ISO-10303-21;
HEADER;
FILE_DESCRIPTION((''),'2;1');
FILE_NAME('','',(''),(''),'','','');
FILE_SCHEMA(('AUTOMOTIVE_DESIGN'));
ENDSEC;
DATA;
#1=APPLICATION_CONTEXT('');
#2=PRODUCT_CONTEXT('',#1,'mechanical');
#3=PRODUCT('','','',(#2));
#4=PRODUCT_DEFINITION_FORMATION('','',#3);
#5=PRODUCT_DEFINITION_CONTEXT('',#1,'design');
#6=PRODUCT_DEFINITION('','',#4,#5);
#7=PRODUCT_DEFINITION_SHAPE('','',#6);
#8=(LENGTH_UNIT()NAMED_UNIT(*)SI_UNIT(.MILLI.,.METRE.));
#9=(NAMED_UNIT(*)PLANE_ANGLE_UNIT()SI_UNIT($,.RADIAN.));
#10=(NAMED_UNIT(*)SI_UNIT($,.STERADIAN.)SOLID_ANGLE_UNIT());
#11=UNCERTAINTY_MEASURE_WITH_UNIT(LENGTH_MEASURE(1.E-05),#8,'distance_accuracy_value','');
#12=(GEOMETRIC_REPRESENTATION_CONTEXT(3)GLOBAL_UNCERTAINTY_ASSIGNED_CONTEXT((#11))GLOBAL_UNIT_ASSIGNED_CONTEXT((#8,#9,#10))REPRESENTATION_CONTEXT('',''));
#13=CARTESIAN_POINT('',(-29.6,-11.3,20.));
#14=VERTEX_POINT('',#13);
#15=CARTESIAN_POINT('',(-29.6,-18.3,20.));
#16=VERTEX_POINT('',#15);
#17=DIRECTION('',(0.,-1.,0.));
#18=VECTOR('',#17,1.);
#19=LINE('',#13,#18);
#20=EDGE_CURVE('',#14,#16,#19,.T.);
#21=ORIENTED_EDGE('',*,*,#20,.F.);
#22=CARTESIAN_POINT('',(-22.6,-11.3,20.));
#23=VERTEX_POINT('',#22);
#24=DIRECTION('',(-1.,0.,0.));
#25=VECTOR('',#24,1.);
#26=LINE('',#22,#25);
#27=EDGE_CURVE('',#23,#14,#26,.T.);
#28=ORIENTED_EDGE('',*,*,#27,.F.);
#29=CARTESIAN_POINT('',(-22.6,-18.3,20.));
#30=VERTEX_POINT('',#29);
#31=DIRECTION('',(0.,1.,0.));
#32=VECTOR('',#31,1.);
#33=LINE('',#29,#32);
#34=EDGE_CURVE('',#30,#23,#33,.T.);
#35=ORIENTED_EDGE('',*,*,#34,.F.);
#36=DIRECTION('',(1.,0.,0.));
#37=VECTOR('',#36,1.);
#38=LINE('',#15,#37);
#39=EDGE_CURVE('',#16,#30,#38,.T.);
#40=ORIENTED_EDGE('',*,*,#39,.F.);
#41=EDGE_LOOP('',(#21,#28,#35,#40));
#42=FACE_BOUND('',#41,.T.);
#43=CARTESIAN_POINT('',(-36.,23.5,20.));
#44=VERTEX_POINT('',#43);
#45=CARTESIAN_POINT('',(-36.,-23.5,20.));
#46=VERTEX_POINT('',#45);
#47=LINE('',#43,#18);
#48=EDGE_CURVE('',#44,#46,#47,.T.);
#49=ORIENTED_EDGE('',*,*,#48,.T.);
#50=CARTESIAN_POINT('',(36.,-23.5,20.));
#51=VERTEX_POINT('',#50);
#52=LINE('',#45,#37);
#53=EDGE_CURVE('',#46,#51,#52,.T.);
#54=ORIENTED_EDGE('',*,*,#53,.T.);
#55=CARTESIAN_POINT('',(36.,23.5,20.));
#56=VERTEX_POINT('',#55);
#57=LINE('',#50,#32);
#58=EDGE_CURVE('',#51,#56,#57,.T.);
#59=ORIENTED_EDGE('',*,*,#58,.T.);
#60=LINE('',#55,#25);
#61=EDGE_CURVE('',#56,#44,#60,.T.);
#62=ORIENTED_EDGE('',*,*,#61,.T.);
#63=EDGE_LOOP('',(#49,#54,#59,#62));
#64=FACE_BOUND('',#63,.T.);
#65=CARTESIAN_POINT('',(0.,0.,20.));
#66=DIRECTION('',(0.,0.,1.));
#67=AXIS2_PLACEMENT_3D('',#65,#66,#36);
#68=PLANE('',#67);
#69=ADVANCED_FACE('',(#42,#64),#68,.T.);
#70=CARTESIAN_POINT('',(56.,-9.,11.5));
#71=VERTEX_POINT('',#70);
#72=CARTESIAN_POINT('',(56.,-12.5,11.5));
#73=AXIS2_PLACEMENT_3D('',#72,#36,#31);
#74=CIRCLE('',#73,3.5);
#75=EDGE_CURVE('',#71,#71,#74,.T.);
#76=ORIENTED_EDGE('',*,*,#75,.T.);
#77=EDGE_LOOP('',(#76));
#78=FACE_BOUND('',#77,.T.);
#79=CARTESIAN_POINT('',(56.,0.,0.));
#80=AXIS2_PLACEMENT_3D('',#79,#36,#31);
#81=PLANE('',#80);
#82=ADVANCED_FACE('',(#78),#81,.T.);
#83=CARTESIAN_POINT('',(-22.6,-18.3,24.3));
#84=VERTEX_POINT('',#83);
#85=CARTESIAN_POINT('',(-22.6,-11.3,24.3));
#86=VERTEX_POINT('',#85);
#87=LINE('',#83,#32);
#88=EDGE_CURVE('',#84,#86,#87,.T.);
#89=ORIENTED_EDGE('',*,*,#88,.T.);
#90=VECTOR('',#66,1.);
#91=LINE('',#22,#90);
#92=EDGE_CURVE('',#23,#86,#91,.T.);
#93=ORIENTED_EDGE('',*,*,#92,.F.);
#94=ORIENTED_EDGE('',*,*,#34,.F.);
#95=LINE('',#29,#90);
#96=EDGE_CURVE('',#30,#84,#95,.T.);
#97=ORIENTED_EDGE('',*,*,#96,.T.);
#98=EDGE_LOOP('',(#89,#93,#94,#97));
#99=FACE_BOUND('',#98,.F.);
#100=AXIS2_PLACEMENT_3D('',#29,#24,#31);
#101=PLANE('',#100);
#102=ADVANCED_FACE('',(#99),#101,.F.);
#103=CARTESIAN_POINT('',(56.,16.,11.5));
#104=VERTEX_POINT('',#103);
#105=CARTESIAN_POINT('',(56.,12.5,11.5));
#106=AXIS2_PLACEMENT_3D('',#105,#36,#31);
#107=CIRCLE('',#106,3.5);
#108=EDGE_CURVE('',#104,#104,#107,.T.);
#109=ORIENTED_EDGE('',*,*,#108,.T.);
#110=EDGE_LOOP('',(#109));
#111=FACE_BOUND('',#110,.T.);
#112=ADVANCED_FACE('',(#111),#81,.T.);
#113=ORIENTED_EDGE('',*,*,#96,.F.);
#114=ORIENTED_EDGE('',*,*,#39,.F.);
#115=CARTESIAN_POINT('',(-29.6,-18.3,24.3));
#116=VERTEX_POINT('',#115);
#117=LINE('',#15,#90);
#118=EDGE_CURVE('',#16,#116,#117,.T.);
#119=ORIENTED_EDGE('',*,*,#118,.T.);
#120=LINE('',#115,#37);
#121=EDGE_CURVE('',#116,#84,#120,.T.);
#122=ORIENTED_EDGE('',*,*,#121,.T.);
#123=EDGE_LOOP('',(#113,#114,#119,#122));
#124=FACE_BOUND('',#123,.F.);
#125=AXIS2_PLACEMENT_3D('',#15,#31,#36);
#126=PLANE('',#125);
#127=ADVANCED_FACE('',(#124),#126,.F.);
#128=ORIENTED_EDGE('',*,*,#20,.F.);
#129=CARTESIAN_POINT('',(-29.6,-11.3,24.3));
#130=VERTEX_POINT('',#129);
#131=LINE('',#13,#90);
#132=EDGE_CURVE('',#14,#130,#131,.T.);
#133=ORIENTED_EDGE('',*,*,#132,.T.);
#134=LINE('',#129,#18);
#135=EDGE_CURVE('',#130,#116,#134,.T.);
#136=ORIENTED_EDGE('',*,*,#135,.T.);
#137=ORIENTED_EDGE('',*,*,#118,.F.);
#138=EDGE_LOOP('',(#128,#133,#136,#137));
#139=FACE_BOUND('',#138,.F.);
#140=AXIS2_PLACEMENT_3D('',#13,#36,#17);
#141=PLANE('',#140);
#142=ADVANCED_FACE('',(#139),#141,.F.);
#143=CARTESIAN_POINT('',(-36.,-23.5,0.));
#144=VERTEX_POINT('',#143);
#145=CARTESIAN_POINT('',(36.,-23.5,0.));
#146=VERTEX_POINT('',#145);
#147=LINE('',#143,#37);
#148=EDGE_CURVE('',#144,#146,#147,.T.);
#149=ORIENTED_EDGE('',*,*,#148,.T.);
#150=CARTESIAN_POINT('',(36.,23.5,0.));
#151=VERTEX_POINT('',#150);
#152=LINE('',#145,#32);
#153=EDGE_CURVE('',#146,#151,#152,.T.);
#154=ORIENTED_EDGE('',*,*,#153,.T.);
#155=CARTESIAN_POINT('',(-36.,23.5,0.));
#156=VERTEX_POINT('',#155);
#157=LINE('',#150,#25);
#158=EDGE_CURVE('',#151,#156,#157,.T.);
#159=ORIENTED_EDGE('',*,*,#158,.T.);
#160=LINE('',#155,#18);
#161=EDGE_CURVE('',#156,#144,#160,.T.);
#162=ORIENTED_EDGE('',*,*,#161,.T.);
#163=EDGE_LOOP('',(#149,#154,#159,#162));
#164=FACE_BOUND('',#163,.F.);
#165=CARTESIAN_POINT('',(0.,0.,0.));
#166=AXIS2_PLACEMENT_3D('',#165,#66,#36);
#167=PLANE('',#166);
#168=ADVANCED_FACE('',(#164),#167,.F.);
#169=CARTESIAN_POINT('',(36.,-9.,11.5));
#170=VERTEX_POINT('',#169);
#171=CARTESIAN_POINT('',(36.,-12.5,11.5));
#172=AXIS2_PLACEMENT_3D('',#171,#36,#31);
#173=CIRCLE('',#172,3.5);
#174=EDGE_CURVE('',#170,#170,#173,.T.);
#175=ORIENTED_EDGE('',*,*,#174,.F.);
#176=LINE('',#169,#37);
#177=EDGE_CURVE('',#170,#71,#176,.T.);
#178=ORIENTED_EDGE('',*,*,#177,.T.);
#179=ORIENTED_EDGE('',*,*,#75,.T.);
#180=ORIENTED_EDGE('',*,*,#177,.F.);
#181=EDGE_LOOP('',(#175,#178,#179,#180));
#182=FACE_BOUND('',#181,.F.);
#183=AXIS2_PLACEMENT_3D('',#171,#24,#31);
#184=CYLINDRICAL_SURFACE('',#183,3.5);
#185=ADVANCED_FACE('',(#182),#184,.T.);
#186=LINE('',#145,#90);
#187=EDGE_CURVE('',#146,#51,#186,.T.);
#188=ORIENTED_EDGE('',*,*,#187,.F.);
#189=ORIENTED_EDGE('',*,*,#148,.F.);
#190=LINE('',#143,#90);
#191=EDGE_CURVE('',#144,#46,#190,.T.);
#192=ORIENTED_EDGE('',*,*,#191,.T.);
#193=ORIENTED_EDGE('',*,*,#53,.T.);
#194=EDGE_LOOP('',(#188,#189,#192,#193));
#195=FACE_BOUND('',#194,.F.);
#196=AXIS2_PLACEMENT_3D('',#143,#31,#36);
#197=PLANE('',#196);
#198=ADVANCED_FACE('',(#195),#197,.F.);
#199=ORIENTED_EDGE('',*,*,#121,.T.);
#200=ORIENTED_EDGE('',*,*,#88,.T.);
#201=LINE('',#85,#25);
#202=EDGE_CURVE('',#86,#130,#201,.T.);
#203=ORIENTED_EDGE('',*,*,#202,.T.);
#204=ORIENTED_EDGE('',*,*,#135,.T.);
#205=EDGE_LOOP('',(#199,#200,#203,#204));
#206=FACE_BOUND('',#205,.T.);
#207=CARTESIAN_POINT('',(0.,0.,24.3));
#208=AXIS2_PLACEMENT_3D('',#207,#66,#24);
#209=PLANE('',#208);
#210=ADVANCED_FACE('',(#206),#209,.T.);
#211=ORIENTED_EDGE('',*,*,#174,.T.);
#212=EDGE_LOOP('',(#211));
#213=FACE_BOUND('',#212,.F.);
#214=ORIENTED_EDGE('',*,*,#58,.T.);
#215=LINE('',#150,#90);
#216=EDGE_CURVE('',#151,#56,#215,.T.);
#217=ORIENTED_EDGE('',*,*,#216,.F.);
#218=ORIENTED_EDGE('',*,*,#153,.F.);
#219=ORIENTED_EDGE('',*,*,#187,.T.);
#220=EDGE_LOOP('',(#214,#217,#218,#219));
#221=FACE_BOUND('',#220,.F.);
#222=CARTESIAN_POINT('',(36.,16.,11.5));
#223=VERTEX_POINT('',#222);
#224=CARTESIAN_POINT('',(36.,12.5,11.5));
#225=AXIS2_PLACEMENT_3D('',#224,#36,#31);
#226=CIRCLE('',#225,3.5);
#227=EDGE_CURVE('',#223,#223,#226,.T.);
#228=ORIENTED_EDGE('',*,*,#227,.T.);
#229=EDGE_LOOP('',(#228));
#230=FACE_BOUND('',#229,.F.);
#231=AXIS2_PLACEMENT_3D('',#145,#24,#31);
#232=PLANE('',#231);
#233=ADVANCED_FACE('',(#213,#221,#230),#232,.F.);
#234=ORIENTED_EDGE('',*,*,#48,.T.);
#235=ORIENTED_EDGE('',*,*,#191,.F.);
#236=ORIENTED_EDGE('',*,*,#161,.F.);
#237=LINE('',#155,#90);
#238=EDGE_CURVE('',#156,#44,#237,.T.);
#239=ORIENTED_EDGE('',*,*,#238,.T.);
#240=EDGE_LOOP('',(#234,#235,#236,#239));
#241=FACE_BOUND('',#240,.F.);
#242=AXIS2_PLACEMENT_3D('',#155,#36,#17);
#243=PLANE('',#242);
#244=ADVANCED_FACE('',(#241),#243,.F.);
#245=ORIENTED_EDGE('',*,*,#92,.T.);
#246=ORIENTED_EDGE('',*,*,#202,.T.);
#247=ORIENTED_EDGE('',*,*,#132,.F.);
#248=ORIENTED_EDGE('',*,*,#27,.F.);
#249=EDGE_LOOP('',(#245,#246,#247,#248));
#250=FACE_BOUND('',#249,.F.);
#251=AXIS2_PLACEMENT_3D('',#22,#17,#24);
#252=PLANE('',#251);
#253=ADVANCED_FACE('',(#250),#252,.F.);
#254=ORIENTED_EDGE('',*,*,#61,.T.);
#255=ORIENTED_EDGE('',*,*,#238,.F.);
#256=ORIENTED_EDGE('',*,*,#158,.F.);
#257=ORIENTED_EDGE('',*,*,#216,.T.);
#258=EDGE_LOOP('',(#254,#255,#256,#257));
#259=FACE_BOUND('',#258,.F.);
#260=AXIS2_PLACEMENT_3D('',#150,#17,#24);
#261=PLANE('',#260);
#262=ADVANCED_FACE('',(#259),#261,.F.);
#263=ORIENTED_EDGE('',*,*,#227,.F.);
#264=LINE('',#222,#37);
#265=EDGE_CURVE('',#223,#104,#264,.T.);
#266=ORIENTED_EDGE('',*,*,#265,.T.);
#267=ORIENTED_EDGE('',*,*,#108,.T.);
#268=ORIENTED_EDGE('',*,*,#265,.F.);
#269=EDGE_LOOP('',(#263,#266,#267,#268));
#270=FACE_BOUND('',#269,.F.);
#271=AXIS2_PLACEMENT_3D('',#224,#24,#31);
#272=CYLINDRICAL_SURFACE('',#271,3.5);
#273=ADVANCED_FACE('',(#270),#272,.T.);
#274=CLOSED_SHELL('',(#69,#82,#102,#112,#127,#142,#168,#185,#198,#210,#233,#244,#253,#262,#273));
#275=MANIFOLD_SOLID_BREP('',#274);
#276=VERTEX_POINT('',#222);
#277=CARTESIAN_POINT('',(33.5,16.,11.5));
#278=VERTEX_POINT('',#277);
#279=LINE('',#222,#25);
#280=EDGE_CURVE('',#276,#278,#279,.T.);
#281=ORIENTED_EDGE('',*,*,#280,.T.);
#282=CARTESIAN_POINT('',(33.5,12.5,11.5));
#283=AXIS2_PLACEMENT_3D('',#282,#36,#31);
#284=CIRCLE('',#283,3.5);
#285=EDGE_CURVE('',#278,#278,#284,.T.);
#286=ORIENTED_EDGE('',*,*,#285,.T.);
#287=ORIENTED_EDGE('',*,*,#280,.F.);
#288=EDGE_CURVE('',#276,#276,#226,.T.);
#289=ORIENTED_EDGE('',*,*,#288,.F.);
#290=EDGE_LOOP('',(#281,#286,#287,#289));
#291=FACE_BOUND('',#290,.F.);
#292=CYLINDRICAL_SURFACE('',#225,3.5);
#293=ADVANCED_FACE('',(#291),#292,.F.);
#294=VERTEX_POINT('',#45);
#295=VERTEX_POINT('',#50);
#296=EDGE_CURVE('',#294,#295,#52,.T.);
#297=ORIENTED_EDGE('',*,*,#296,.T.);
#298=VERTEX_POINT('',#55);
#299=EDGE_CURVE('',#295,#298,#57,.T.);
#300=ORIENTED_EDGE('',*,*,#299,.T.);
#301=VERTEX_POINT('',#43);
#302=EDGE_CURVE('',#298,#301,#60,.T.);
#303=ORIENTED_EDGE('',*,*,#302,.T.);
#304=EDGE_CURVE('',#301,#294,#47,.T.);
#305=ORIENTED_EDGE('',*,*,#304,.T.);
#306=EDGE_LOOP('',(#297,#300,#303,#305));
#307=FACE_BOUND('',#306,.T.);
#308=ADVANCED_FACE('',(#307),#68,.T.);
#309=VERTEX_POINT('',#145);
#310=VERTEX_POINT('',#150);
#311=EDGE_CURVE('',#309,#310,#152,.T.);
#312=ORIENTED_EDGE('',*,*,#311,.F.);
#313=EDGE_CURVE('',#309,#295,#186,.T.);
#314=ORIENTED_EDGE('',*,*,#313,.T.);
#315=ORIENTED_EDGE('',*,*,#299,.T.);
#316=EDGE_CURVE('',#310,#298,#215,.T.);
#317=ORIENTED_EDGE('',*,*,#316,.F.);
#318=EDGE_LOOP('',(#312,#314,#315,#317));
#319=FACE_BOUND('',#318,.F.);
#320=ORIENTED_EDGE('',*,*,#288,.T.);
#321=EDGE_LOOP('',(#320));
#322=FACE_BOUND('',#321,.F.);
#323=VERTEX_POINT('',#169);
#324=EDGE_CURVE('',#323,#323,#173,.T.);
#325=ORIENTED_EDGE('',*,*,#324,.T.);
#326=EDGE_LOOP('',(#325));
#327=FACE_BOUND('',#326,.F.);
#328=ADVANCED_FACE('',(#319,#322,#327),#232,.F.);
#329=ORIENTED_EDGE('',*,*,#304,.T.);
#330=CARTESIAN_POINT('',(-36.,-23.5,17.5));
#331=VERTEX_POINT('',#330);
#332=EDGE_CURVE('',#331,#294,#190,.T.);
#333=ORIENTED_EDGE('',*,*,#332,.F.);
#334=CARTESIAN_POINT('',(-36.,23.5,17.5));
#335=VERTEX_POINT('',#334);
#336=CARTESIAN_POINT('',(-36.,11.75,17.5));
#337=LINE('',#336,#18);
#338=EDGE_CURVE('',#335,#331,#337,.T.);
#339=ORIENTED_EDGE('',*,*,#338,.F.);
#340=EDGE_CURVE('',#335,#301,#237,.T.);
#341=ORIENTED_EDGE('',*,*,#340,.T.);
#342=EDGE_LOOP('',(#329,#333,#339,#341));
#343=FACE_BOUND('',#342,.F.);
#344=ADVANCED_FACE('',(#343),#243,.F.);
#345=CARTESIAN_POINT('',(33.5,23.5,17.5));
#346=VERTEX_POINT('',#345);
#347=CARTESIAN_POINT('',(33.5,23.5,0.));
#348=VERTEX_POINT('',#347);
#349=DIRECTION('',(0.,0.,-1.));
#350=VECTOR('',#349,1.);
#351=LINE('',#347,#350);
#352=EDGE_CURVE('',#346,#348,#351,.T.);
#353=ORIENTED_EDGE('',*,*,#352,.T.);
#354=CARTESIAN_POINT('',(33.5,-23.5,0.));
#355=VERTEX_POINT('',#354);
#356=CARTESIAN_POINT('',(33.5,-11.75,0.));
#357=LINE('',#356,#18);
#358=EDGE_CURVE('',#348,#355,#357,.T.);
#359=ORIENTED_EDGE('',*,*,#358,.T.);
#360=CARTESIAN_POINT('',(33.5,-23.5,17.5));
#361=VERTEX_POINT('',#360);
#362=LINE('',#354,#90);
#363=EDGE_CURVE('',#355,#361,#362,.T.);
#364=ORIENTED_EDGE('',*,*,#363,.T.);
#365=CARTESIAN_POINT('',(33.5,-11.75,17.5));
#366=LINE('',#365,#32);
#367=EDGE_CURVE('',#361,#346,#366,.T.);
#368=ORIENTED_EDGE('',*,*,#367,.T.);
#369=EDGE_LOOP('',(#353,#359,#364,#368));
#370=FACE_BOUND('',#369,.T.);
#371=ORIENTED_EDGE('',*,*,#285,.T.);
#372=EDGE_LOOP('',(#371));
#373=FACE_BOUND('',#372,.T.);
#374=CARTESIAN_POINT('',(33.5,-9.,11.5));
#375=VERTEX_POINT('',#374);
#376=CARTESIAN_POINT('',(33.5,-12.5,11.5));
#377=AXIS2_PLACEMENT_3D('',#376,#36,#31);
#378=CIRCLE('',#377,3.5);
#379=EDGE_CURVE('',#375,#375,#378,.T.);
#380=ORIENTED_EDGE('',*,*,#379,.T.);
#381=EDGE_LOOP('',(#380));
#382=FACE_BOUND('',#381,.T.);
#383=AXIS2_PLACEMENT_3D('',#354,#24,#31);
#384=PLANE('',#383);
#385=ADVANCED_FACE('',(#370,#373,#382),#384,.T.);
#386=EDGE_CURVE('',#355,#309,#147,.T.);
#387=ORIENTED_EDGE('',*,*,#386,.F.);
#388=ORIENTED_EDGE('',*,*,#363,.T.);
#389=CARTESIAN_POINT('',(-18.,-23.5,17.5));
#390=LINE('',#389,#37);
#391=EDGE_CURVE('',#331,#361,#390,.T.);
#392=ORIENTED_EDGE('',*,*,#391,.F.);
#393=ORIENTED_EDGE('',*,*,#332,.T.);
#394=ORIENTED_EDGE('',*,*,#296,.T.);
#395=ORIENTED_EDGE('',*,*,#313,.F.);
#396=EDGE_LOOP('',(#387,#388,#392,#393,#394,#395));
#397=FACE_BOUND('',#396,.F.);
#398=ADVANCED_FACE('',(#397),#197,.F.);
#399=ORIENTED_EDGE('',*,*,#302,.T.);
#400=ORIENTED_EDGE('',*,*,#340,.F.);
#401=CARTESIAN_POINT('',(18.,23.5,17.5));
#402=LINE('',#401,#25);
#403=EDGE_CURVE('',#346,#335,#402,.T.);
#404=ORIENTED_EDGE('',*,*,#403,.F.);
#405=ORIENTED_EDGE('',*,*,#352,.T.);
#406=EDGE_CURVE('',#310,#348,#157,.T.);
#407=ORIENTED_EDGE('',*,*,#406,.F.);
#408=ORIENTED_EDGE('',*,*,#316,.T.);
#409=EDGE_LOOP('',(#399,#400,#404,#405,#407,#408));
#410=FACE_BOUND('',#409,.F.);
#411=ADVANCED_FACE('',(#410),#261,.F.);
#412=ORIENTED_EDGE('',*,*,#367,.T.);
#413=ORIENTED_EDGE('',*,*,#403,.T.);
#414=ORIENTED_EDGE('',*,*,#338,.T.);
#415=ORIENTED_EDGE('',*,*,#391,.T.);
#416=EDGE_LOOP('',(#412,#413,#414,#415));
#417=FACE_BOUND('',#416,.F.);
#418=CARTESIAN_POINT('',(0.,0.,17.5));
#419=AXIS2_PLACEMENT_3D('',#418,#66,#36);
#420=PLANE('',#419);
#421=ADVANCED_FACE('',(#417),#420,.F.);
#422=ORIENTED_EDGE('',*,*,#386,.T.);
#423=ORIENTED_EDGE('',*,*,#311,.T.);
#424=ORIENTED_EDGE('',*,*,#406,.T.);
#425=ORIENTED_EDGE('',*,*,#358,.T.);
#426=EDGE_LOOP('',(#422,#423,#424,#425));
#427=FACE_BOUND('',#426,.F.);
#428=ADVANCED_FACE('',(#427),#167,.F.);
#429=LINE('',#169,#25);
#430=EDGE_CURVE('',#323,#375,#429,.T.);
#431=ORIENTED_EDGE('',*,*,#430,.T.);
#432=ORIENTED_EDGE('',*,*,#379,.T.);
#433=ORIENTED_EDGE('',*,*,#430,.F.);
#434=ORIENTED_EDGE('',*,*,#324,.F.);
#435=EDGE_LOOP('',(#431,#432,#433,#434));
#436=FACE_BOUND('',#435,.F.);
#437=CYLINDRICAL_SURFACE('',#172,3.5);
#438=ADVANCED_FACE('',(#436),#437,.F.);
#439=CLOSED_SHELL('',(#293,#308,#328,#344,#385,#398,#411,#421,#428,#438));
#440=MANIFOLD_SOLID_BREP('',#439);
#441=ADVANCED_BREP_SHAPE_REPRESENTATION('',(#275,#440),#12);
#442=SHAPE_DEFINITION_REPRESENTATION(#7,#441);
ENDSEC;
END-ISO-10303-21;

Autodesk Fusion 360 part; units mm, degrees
sketch "Board size" plane through (0, 0, 0) normal (0, 0, 1) x (1, 0, 0)
  line L0 (36, 23.5) -> (-36, 23.5)
  line L1 (-36, 23.5) -> (-36, -23.5)
  line L2 (-36, -23.5) -> (36, -23.5)
  line L3 (36, -23.5) -> (36, 23.5)
  line L4 (36, 23.5) -> (-36, -23.5) construction
  line L5 (-36, 23.5) -> (36, -23.5) construction
  dimension "d1" = 72
  dimension "d2" = 47
sketch "Pot side" plane through (36, 0, 0) normal (1, 0, 0) x (0, 1, 0)
  line L0 (-23.5, 0) -> (23.5, 0)
  line L1 (23.5, 0) -> (23.5, 22)
  line L2 (23.5, 22) -> (-23.5, 22)
  line L3 (-23.5, 22) -> (-23.5, 0)
  circle A0 centre (-12.5, 11.5) radius 3.5
  line L4 (0, 0) -> (0, 22) construction
  circle A1 centre (12.5, 11.5) radius 3.5
  line L5 (0, 0) -> (-12.5, 0)
  line L6 (-12.5, 0) -> (-12.5, 11.5) construction
  line L7 (-12.5, 11.5) -> (0, 11.5) construction
  line L8 (0, 11.5) -> (0, 0)
  dimension "d7" = 7
  dimension "d20" = 12.5
  dimension "d21" = 11.5
sketch "Sketch3" plane through (0, 0, 0) normal (0, 0, -1) x (1, 0, 0)
  line L0 (36, -23.5) -> (36, 23.5)
  line L1 (36, 23.5) -> (-36, 23.5)
  line L2 (-36, 23.5) -> (-36, -23.5)
  line L3 (-36, -23.5) -> (36, -23.5)
  line L4 (-36, 23.5) -> (-33, 23.5)
  line L5 (-36, 20.5) -> (-36, 23.5)
  circle A0 centre (-33, 20.5) radius 1.7
  line L6 (-36, 0) -> (36, 0) construction
  line L7 (0, 23.5) -> (0, -23.5) construction
  circle A1 centre (33, 20.5) radius 1.7
  circle A2 centre (33, -20.5) radius 1.7
  circle A3 centre (-33, -20.5) radius 1.7
  line L8 (0, 0) -> (-33, 0) construction
  line L9 (-33, 0) -> (-33, 20.5) construction
  line L10 (-33, 20.5) -> (0, 20.5) construction
  line L11 (0, 20.5) -> (0, 0) construction
  dimension "d10" = 3.4
  dimension "d23" = 33
  dimension "d24" = 20.5
extrude "Extrude1" add sketch "Board size" along normal blind 20 makes body 1 in component "Box"
extrude "Extrude9" add sketch "Pot side" along normal blind 20 contours A0 | A1 bodies 1 in component "Box"
extrude "Extrude1'" add sketch "Board size" along normal blind 20 separate body makes body 2 in component "Lid"
shell "Shell1" thickness 2.5 removed faces 4 at (-12, -23.5, 6.6667) at (-36, 7.8333, 6.6667) at (12, 23.5, 6.6667) at (-12, 7.8333, 0) on bodies 2 in component "Lid"
extrude "Extrude2" cut sketch "Pot side" against normal blind 2.5 contours A0 | A1 bodies 2 in component "Lid"
sketch "Sketch1" plane through (0, -23.5, 0) normal (0, -1, 0) x (1, 0, 0) in component "Box"
  line L0 (-36, 0) -> (36, 0)
  line L1 (36, 0) -> (36, 20)
  line L2 (36, 20) -> (-36, 20)
  line L3 (-36, 20) -> (-36, 0)
  line L4 (36, 0) -> (36, 2.5)
  line L5 (36, 2.5) -> (34.5, 1)
  line L6 (34.5, 1) -> (34.5, 22.0494)
  line L7 (36, 22.0494) -> (34.5, 22.0494)
  line L8 (34.5, 1.5) -> (35, 1.5)
  dimension "d76" = 45
sketch "Sketch8" plane through (0, 0, 20) normal (0, 0, 1) x (-1, 0, 0)
  line L0 (-36, 23.5) -> (-36, -23.5)
  line L1 (-36, -23.5) -> (36, -23.5)
  line L2 (36, -23.5) -> (36, 23.5)
  line L3 (36, 23.5) -> (-36, 23.5)
  line L4 (22.6, 18.3) -> (22.6, 11.3)
  line L5 (29.6, 18.3) -> (22.6, 18.3)
  line L6 (29.6, 11.3) -> (29.6, 18.3)
  line L7 (22.6, 11.3) -> (29.6, 11.3)
  line L8 (22.6, 11.3) -> (0, 11.3)
  line L9 (22.6, 0) -> (22.6, 11.3)
  circle A0 centre (33, -20.5) radius 1.7
  circle A1 centre (-33, -20.5) radius 1.7
  circle A2 centre (33, 20.5) radius 1.7
  line L10 (33, 0) -> (33, 20.5)
  line L11 (33, 20.5) -> (0, 20.5)
  line L12 (0, 0) -> (0, 23.5) construction
  line L13 (0, 0) -> (36, 0) construction
  line L14 (0, 11.3) -> (22.6, 11.3) construction
  line L15 (22.6, 0) -> (22.6, 11.3) construction
  line L16 (33, 0) -> (33, 20.5) construction
  line L17 (0, 20.5) -> (33, 20.5) construction
  line L18 (29.6, 11.3) -> (22.6, 11.3)
  line L19 (22.6, 11.3) -> (22.6, 18.3)
  line L20 (22.6, 18.3) -> (29.6, 18.3)
  line L21 (29.6, 18.3) -> (29.6, 11.3)
  circle A3 centre (33, 20.5) radius 1.7
  circle A4 centre (-33, 20.5) radius 1.7
  point P0 (22.6, 0)
  point P1 (0, 11.3)
  point P2 (33, 20.5)
  point P3 (-33, -20.5)
  point P4 (-33, 20.5)
  dimension "d120" = 20.5
  dimension "d121" = 33
extrude "Extrude10" add sketch "Sketch8" along normal blind 4.3 contours L4 L5 L6 L7 L18 L19 L20 L21 bodies 1 in component "Box"
sketch "Sketch9" plane through (0, 0, 0) normal (0, 0, -1) x (1, 0, 0)
copy_body "Body->Comp1" bodies 1 removing the originals makes body 3 in component "Board blus button and pots"
component "Box" placed x (1, 0, 0) y (0, 1, 0) z (0, 0, 1) at (0, 0, 0)
component "Lid" placed x (1, 0, 0) y (0, 1, 0) z (0, 0, 1) at (0, 0, 0)
component "Board blus button and pots" placed x (1, 0, 0) y (0, 1, 0) z (0, 0, 1) at (0, 0, 0) in component "Box"
equation "d1 = depth"
equation "d2 = width"
equation "d7 = PotHolesize"
equation "d10 = PostDiameter"
equation "d20 = PotdistanceFromcentre"
equation "d21 = PotHeightfrombottom"
equation "d23 = PostdistanceDepth"
equation "d24 = PostDistanceWidth"
equation "width = 47 mm"
equation "depth = 72 mm"
equation "PotHeightfrombottom = 11.5 mm"
equation "PotdistanceFromcentre = 12.5 mm"
equation "PotHolesize = 7 mm"
equation "PostDistanceWidth = 20.5 mm"
equation "PostdistanceDepth = 33 mm"
equation "PostDiameter = 3.4 mm"
equation "shell = 2.5 mm"
equation "gap = 0.2 mm"
equation "squarebuttonhole = 7 mm"
equation "squarebuttonholedistWidth = 22.6 mm"
equation "squarebuttonholedisDepth = 11.3 mm"
equation "height = 20 mm"
equation "d68 = height"
equation "d71 = height"
equation "d73 = shell"
equation "d74 = -shell"
equation "USBCableHole = 3.4 mm"
